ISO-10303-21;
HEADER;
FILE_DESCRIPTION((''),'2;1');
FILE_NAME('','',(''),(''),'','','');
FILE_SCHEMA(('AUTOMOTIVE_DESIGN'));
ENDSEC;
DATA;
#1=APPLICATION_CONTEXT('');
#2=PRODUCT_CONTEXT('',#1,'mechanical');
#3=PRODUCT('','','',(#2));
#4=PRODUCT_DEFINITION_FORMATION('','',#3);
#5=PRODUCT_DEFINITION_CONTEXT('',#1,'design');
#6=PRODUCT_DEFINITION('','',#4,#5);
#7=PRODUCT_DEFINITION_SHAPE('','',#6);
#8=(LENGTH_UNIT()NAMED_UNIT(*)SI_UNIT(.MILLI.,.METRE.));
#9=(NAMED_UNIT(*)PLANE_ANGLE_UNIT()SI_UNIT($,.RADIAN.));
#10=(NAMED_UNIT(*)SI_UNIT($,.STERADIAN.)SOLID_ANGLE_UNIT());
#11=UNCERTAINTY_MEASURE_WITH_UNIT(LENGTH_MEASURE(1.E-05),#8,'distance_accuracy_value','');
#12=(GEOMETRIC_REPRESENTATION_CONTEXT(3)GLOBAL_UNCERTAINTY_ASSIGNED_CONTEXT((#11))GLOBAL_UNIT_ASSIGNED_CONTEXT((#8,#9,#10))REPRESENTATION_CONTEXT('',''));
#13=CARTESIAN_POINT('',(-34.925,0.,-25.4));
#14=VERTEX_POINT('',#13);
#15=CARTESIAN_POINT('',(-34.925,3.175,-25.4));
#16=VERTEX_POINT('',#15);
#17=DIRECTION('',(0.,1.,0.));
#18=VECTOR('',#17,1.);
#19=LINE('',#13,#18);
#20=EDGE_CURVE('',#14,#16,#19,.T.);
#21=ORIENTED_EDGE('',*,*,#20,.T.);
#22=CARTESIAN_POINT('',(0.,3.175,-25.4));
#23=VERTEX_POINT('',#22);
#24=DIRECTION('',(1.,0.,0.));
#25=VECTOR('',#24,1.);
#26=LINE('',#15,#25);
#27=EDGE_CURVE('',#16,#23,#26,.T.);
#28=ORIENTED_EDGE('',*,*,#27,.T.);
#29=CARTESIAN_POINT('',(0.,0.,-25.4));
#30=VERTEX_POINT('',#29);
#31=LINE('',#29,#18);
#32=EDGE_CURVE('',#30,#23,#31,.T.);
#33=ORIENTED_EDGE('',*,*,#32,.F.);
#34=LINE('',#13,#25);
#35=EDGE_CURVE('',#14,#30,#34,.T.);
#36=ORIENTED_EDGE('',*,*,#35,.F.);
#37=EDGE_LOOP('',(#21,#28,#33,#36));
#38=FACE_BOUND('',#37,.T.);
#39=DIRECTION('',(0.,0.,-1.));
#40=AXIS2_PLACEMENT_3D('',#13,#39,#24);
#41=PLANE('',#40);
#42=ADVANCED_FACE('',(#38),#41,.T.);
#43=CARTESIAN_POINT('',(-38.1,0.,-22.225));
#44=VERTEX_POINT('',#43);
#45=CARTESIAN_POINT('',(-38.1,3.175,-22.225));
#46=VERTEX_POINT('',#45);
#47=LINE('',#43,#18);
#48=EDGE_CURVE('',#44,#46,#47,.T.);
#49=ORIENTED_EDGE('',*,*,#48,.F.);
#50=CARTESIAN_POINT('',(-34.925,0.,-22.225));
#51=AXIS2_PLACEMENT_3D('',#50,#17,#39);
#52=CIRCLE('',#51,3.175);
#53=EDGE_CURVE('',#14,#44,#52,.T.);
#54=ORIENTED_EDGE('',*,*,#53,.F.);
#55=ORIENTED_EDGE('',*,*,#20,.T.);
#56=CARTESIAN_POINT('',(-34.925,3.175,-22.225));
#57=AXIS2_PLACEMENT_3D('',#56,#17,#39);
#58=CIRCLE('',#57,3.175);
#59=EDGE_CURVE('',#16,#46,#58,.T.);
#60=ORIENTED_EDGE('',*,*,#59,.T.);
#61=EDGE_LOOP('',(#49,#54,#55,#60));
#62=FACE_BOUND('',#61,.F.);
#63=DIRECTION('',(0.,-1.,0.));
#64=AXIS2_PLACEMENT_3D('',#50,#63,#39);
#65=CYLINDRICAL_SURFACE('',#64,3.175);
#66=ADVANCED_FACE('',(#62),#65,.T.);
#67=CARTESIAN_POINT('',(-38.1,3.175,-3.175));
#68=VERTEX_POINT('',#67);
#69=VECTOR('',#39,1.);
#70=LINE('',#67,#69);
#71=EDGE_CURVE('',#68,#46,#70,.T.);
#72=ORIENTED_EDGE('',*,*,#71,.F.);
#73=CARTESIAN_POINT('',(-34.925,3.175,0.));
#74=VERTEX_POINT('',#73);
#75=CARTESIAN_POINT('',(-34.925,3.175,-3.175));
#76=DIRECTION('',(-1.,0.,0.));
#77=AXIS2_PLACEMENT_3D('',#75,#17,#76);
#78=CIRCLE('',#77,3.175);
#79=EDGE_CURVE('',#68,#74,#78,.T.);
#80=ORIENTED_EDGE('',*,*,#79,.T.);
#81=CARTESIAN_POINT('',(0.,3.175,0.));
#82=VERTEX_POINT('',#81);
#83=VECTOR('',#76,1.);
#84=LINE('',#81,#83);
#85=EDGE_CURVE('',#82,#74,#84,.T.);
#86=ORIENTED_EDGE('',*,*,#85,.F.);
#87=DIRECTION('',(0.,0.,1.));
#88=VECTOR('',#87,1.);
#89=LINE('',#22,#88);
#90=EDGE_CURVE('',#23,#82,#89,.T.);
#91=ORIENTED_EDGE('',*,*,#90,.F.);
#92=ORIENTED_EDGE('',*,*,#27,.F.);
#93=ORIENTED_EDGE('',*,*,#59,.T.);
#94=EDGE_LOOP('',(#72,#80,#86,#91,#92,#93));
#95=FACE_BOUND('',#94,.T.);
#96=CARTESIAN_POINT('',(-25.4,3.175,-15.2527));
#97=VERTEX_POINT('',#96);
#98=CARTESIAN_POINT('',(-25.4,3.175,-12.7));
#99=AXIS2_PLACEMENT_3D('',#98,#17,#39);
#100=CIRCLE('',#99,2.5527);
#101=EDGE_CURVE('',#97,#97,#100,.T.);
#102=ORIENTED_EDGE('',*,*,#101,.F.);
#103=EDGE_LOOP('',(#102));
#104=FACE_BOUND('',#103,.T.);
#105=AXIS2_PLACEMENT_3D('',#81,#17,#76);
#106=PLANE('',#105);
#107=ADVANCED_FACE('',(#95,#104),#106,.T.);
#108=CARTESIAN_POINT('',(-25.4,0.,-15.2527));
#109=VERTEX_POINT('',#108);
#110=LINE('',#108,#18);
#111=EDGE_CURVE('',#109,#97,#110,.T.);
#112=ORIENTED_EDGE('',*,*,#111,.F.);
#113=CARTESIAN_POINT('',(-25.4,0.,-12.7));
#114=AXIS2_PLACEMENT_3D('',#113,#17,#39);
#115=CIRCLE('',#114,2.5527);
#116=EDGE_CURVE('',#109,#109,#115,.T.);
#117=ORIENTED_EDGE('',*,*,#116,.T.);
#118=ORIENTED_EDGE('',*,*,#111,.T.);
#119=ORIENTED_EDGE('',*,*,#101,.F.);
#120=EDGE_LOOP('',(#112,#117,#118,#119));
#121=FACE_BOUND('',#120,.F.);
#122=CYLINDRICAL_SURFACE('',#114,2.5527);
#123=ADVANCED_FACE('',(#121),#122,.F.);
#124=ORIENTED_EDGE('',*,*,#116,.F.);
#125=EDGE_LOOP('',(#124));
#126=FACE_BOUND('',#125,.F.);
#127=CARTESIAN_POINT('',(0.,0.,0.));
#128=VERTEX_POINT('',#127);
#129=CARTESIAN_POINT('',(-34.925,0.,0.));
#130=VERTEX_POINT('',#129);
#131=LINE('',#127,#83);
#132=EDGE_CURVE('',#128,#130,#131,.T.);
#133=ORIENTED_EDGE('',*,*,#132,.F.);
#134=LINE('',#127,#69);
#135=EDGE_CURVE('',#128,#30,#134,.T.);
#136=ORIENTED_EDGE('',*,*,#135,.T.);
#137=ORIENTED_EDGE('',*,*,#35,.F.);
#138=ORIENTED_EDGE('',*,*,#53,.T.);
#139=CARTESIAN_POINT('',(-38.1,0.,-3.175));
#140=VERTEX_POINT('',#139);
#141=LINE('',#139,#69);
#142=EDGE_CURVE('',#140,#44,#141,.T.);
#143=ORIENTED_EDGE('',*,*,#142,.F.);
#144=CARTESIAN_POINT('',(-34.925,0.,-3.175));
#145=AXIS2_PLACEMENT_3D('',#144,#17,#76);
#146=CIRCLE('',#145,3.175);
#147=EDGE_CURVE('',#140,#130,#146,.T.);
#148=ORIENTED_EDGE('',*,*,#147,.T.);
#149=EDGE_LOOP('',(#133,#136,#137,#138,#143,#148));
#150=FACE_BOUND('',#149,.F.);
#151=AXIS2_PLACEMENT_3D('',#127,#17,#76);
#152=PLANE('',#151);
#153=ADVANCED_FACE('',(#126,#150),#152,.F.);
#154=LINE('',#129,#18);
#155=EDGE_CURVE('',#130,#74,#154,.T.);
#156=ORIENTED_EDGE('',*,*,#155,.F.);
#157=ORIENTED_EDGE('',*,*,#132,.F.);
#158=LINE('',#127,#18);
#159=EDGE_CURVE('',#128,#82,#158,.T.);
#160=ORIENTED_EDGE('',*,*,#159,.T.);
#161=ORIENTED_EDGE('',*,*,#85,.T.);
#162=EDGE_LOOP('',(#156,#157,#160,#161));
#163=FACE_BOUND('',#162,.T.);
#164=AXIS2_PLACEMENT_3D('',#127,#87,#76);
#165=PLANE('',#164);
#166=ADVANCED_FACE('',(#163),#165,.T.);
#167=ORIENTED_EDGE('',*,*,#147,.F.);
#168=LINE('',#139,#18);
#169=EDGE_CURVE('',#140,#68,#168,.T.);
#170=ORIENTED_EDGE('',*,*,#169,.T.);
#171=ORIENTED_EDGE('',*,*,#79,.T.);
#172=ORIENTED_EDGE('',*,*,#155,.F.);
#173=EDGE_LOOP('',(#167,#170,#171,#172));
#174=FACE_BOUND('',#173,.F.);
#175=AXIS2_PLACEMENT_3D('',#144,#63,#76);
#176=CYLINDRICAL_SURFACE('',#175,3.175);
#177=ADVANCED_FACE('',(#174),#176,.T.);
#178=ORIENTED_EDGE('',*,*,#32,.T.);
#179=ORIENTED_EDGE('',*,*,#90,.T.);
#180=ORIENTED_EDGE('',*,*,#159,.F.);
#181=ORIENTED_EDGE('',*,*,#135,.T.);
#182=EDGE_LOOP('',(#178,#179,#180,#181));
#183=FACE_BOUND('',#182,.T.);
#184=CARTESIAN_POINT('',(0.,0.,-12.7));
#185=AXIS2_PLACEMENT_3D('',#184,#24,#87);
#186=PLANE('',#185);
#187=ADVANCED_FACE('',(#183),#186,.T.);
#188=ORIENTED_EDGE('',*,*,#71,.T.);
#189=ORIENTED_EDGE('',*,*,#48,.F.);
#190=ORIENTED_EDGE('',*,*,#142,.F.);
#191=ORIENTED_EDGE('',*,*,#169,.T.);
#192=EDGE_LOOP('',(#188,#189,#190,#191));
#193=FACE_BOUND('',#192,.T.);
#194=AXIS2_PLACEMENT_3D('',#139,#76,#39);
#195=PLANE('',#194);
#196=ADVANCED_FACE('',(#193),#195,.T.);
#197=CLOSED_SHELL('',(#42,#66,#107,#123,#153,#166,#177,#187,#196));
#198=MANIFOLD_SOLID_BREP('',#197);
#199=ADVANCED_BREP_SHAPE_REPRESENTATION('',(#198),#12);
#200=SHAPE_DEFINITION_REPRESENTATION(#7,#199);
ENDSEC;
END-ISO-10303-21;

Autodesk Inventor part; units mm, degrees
ref_plane "YZ Plane" through (0, 0, 0) normal (1, 0, 0) x (0, 1, 0)
ref_plane "XZ Plane" through (0, 0, 0) normal (0, 1, 0) x (-1, 0, 0)
ref_plane "XY Plane" through (0, 0, 0) normal (0, 0, 1) x (1, 0, 0)
sketch "Sketch1" plane through (0, 0, 0) normal (0, 1, 0) x (-1, 0, 0)
  line L0 (0, 0) -> (34.925, 0)
  line L1 (38.1, -3.175) -> (38.1, -22.225)
  line L2 (34.925, -25.4) -> (0, -25.4)
  line L3 (0, -25.4) -> (0, 0)
  line L4 (0, 0) -> (0, -12.7)
  line L5 (0, -12.7) -> (25.4, -12.7)
  arc A0 (34.925, -25.4) -> (38.1, -22.225) centre (34.925, -22.225) ccw
  arc A1 (38.1, -3.175) -> (34.925, 0) centre (34.925, -3.175) ccw
  point P0 (38.1, -25.4)
  point P1 (38.1, 0)
  dimension "d0" = 38.1
  dimension "d1" = 25.4
  dimension "d2" = 12.7
  dimension "d3" = 25.4
  dimension "d7" = 3.175
extrude "Extrusion1" add sketch "Sketch1" along normal blind 3.175
hole "Hole1" at (-25.4, 0, -12.7) direction (0, 1, 0) diameter 5.1054 end through all clearance for "Flat Head Machine Screw (82)" size "#10" standard "Ansi Unified Screw Threads"
properties part number "1" material "Steel"
